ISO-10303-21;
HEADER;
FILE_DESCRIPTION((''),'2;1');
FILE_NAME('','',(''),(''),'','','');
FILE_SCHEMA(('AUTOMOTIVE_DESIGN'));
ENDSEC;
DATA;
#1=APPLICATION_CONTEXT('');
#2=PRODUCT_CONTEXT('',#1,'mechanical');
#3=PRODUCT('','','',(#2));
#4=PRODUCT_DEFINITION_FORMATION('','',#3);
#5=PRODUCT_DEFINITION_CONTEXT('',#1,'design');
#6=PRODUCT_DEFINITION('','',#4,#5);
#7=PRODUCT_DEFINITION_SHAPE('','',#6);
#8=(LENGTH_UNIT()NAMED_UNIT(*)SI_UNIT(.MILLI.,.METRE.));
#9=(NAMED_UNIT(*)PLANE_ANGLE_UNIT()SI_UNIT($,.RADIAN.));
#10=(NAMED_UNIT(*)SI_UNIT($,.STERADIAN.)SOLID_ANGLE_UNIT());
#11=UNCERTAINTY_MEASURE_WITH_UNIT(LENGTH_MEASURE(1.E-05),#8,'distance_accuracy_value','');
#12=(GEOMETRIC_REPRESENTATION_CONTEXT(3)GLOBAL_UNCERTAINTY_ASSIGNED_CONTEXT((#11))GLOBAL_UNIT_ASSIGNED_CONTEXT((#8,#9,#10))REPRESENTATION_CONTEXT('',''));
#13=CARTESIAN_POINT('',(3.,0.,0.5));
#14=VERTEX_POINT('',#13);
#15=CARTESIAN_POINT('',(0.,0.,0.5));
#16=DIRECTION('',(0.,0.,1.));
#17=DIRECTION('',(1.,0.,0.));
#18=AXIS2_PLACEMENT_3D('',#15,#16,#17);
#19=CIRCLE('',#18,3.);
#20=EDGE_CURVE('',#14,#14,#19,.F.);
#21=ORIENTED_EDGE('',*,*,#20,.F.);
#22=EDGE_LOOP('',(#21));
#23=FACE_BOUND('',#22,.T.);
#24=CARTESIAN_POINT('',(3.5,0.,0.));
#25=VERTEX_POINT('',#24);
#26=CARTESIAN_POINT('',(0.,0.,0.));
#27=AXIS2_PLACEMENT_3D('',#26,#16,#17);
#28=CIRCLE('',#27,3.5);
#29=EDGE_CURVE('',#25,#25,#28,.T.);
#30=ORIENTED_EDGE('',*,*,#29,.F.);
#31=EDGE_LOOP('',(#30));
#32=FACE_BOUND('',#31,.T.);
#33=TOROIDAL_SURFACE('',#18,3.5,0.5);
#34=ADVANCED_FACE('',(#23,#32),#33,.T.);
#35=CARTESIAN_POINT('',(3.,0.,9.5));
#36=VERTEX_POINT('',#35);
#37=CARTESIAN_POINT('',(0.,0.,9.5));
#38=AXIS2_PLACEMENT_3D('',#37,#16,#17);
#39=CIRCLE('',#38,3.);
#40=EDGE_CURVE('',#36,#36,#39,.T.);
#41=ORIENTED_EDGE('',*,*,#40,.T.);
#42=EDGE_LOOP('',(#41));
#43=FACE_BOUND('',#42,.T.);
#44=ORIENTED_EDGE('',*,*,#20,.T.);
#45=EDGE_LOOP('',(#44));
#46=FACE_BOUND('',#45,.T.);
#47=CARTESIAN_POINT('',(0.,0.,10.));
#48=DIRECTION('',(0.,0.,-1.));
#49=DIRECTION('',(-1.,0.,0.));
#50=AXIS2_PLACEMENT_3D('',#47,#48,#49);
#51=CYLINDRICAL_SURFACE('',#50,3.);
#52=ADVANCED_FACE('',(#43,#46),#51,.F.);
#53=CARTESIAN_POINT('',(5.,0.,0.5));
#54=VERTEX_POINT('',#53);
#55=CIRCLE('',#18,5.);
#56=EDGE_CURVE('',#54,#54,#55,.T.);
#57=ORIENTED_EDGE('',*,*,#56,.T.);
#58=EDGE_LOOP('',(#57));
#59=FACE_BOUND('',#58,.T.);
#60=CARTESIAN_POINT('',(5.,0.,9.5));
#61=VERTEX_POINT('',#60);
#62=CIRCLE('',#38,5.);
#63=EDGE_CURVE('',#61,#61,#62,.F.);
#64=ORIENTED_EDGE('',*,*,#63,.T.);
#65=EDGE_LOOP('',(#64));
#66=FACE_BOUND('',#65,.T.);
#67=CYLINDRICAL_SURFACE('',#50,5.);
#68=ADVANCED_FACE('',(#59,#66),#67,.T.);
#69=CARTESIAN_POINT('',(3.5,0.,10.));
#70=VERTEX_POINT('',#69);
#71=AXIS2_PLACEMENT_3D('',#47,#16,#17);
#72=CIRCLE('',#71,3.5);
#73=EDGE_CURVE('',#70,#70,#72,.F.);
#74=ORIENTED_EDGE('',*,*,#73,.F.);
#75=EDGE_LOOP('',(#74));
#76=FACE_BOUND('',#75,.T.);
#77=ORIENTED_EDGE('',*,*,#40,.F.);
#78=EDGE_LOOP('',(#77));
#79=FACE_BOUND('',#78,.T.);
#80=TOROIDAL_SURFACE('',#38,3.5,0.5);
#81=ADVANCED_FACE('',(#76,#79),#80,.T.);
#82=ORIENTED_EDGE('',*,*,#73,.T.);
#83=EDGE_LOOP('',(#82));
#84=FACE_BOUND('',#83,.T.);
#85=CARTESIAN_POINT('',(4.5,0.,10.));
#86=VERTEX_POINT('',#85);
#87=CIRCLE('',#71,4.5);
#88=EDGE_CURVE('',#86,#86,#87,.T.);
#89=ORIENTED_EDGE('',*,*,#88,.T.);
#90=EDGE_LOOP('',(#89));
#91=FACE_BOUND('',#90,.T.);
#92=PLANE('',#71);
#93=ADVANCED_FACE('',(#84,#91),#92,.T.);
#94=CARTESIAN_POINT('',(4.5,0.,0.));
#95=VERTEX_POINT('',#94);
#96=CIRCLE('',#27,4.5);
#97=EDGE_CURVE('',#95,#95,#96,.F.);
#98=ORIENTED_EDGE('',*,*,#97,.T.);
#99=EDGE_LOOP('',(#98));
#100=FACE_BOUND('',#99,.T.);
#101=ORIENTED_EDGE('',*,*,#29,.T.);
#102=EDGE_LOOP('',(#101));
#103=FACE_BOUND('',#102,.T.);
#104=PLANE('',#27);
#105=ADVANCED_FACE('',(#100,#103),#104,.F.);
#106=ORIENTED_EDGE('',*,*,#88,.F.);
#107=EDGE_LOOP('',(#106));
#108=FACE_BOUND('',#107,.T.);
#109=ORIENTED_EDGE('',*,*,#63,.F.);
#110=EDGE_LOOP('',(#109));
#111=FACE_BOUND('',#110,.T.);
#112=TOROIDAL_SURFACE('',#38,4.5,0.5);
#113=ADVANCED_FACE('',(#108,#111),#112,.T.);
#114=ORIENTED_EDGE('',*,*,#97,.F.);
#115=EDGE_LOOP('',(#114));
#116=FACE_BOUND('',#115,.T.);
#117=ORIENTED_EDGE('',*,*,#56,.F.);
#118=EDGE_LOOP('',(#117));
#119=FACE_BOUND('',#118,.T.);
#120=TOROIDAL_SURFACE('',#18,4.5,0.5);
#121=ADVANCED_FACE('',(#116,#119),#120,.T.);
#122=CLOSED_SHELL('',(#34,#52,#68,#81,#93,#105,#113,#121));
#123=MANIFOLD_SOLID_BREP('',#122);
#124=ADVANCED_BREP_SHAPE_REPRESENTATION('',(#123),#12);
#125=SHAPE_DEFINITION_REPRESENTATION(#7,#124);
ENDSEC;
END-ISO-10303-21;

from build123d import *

# Parameters (mm, degrees)
SKETCH_1_R      = 5
SKETCH_1_R_2    = 3
EXTRUDE_1_DEPTH = 10
FILLET_1_R      = 0.5


with BuildPart() as part:
    # 草图1 → 凸台-拉伸1 (new body)
    with BuildSketch(Plane.XY):
        Circle(SKETCH_1_R)
        Circle(SKETCH_1_R_2, mode=Mode.SUBTRACT)
    extrude(amount=EXTRUDE_1_DEPTH)

    # 圆角1
    fillet_1_edges = [part.edges().sort_by_distance(p)[0] for p in [
        (-5, 0, 0),
        (-5, 0, 10),
        (-3, 0, 0),
        (-3, 0, 10),
    ]]
    fillet(fillet_1_edges, radius=FILLET_1_R)


solid = part.part
